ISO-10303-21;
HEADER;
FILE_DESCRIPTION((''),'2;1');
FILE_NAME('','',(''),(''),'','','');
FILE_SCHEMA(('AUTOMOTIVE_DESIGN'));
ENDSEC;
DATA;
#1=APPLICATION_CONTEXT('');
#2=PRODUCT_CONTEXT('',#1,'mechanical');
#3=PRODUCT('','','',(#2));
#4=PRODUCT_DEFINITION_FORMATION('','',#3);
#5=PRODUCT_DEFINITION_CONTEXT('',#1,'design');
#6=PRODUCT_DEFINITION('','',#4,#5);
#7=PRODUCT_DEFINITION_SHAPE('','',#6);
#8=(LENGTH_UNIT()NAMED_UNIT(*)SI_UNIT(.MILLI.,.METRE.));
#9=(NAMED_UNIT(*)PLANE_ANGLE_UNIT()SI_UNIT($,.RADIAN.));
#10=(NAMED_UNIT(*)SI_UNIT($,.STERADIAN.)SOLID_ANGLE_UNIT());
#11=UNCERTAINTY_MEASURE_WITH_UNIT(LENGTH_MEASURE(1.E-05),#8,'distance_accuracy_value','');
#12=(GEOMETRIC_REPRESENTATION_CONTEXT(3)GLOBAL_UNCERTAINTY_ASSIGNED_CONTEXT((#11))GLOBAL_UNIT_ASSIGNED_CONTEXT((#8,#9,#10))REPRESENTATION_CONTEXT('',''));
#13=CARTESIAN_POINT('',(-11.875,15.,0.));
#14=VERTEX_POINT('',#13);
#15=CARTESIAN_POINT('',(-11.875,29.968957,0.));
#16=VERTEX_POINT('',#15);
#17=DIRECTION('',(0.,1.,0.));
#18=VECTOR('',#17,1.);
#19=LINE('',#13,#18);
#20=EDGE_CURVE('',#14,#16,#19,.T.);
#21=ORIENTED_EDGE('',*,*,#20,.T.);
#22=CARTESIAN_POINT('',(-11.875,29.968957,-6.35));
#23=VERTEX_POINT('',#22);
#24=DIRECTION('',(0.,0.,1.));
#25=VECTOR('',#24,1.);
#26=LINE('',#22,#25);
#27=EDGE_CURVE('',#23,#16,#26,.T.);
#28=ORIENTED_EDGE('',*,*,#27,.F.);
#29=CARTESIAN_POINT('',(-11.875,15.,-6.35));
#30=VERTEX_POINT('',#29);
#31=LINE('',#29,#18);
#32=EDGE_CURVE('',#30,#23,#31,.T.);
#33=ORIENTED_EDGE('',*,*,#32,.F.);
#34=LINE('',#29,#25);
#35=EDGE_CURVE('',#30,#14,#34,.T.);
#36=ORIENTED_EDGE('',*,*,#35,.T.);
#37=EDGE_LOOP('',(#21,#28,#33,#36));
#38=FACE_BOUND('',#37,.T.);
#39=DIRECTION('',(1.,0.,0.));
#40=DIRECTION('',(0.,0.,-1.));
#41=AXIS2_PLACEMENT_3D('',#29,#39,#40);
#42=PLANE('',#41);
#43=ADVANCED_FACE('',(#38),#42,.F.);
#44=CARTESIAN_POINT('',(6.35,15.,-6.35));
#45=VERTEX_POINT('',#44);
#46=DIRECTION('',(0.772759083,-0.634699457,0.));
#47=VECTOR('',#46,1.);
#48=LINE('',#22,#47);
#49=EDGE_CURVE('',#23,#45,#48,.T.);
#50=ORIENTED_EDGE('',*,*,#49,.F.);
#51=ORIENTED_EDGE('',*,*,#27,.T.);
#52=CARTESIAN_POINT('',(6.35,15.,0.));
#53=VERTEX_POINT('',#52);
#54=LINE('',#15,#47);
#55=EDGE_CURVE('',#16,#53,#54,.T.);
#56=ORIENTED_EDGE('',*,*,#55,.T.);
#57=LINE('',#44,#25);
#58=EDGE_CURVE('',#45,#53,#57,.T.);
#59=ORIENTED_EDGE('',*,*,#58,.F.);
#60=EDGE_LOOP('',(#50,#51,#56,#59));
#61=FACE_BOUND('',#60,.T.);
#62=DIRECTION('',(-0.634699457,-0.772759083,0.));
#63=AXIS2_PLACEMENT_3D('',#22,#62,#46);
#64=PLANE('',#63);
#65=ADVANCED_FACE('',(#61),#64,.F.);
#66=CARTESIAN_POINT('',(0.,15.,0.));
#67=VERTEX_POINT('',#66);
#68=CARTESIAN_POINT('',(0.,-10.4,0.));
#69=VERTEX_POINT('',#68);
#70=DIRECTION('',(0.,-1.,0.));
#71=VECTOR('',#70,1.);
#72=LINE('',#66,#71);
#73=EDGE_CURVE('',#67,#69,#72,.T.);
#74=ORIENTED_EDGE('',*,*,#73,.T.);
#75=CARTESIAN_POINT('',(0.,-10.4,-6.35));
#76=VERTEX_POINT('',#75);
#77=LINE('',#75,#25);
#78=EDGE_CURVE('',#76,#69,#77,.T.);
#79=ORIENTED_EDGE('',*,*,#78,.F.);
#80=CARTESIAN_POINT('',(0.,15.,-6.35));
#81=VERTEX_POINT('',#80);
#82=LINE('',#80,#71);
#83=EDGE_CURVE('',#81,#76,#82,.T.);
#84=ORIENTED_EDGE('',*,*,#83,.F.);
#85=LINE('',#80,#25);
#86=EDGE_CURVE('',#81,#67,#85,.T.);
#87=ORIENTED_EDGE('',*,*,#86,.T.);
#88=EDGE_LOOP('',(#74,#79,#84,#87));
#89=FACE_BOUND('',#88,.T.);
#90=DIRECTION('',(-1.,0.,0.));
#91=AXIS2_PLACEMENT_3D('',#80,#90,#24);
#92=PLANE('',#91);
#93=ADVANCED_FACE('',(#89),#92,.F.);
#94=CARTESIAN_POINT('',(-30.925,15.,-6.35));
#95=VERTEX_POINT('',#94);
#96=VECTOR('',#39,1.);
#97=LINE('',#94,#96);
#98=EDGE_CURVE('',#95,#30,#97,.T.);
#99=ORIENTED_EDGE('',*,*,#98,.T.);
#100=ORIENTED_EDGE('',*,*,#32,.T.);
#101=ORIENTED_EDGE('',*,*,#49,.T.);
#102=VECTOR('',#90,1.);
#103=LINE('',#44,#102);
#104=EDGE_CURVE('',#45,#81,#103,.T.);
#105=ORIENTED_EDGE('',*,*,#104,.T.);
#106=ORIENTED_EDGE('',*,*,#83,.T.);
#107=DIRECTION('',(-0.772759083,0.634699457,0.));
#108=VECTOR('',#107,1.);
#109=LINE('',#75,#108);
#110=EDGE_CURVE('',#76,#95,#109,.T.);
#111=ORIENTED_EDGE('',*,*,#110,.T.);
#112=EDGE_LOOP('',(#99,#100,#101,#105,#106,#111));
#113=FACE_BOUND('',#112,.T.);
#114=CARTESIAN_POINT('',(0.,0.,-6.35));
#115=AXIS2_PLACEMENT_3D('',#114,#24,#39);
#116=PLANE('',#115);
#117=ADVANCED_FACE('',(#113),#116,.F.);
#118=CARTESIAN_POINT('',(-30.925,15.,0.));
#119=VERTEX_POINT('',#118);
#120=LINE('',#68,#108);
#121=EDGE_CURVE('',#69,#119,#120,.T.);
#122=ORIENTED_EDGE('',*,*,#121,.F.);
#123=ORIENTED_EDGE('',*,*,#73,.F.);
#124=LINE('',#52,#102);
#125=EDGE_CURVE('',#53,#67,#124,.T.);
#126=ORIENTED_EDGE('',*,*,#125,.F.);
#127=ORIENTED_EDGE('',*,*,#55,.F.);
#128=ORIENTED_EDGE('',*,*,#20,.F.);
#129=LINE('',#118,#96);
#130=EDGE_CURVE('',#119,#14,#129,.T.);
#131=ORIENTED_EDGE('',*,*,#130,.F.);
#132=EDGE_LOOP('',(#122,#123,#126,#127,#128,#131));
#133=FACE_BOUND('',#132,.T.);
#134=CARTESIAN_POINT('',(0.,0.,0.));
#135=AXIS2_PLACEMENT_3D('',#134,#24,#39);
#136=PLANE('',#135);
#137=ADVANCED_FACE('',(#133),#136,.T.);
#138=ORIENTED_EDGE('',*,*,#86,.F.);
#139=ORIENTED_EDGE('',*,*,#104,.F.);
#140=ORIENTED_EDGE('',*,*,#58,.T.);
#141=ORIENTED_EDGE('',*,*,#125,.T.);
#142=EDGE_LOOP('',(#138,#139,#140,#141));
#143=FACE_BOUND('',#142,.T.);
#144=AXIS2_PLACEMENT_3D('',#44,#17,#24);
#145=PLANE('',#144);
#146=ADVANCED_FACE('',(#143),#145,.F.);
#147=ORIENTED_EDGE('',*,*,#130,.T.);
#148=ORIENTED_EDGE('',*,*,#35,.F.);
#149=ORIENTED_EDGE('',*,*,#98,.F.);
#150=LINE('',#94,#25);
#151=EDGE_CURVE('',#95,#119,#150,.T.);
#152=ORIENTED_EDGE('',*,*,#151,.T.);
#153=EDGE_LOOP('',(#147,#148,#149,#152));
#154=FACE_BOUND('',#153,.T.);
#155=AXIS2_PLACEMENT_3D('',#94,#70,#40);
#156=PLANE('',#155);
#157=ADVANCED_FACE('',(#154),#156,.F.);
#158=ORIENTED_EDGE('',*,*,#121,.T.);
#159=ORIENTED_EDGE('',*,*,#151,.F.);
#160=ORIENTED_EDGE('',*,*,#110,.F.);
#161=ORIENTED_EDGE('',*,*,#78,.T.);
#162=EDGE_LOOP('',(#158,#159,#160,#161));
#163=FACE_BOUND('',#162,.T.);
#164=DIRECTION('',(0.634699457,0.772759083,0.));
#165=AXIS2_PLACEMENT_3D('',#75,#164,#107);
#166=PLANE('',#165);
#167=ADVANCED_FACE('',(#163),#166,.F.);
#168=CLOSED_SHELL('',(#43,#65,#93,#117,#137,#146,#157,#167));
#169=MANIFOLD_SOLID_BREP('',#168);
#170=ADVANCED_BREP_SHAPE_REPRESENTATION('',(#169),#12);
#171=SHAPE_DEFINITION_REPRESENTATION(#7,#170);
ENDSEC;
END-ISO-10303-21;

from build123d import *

# Parameters (mm, degrees)
BOSS_EXTRUDE1_DEPTH = 6.35


with BuildPart() as part:
    # Sketch1 → Boss-Extrude1 (new body)
    with BuildSketch(Plane.XY):
        Polygon((0, -10.4), (-30.925, 15), (-11.875, 15), (-11.875, 29.968957154), (6.35, 15), (0, 15), align=None)
    extrude(amount=-BOSS_EXTRUDE1_DEPTH)


solid = part.part
